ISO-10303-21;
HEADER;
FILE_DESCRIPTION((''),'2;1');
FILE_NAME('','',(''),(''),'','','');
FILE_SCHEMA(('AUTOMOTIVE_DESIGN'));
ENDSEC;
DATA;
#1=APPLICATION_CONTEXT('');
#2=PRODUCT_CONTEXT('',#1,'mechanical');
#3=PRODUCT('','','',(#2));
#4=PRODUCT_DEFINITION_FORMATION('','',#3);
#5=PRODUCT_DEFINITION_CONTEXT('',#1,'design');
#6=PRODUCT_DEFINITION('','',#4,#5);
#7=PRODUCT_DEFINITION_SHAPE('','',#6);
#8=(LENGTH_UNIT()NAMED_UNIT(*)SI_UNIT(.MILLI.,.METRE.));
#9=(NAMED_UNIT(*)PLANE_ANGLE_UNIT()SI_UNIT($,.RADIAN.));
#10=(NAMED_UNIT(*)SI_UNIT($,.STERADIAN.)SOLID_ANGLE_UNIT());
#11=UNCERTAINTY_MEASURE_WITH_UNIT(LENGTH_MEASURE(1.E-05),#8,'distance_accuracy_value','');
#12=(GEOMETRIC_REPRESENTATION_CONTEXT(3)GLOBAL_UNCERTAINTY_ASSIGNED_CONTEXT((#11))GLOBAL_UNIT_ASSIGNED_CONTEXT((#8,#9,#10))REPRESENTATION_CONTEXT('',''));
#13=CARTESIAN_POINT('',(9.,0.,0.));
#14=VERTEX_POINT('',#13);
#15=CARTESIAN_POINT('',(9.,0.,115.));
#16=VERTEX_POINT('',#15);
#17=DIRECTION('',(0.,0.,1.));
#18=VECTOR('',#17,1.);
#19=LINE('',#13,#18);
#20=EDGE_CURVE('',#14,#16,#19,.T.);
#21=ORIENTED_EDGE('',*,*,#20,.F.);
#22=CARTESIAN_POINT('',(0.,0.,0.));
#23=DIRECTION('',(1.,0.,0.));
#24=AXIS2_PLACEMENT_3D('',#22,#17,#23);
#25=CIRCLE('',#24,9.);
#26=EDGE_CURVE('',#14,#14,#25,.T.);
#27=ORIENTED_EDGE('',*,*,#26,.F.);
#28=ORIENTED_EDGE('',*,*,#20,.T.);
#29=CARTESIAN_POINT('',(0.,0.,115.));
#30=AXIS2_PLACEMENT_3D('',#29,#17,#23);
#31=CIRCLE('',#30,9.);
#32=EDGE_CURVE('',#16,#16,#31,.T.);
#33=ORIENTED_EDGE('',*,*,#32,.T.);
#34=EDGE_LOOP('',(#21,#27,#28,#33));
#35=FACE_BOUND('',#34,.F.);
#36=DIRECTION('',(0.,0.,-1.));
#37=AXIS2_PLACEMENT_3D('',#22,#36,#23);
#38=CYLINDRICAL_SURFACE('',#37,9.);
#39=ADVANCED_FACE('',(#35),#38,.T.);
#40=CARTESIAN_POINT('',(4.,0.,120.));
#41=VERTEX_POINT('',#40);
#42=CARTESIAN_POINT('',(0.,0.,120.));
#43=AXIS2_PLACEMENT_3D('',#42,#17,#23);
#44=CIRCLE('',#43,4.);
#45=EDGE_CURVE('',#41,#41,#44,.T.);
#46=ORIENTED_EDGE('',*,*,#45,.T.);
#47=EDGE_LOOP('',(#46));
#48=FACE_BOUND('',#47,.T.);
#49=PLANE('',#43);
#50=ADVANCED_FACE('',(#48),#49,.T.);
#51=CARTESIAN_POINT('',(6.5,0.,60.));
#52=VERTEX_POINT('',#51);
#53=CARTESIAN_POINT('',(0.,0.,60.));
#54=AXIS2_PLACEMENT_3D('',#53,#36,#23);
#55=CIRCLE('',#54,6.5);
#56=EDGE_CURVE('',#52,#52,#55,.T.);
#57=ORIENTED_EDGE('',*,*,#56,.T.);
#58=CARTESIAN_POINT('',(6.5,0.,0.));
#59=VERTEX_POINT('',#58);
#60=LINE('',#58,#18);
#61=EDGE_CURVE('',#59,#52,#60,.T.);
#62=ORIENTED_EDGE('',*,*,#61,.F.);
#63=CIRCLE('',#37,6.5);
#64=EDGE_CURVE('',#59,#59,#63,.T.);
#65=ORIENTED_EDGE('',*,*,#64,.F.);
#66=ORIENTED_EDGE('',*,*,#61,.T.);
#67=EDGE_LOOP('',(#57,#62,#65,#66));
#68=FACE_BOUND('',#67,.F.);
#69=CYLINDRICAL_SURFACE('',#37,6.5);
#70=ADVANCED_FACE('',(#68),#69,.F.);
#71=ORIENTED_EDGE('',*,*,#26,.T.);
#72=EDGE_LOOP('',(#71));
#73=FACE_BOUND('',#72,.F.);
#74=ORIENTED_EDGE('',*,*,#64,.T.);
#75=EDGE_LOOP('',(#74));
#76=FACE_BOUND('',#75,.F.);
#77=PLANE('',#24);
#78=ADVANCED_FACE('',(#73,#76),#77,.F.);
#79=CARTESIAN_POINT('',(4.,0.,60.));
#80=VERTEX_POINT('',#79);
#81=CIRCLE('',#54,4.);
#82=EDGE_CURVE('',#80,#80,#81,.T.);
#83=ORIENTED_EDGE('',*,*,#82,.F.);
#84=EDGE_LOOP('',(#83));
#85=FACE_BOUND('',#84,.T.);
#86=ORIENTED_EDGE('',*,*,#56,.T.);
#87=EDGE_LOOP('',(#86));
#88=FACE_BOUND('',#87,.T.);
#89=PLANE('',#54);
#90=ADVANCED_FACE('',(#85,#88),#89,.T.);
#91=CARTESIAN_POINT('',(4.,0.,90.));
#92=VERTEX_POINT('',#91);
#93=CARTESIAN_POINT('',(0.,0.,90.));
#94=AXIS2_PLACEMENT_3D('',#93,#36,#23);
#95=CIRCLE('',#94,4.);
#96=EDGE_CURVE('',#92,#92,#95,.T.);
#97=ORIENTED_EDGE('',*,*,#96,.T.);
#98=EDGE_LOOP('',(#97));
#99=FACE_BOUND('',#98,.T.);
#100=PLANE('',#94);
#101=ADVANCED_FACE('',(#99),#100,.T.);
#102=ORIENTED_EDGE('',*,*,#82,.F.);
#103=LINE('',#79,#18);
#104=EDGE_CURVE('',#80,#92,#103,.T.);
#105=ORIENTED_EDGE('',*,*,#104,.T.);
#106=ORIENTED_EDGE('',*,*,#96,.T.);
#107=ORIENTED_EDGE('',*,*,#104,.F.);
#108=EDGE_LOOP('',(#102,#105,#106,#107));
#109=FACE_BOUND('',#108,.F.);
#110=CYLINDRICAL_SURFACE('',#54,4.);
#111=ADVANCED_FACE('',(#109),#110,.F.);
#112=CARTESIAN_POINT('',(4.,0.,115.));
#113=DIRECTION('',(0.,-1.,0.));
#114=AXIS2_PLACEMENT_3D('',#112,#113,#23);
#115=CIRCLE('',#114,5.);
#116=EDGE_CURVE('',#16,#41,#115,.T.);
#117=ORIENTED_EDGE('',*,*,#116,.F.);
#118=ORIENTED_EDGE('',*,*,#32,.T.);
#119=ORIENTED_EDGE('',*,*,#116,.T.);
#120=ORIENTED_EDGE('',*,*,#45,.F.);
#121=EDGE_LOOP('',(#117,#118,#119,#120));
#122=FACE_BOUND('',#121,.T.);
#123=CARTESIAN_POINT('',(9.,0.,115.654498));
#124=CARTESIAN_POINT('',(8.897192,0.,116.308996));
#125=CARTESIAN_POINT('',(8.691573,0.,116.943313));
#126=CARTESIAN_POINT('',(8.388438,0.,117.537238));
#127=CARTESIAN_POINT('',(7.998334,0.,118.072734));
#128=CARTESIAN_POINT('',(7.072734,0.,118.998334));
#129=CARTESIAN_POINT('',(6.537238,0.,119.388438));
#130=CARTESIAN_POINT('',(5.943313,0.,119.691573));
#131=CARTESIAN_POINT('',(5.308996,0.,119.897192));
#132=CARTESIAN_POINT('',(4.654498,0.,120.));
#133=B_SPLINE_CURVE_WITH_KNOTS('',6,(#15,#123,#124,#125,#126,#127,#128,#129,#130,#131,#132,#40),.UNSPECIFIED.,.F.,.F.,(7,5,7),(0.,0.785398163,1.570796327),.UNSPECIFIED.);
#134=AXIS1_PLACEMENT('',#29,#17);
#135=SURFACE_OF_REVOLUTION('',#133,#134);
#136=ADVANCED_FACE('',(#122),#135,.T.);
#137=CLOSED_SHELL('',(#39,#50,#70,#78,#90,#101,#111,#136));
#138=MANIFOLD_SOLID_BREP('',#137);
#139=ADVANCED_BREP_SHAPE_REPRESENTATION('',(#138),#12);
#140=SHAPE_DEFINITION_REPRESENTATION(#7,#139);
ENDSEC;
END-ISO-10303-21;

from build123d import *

# Parameters (mm, degrees)
F0_R     = 9
F1_DEPTH = 120
F2_R     = 6.5
F3_DEPTH = 60
F4_R     = 4
F5_DEPTH = 30
F6_R     = 5


with BuildPart() as f1:
    # F0 (on Top) → F1 (new body)
    with BuildSketch(Plane.XY):
        Circle(F0_R)
    extrude(amount=F1_DEPTH)

    # F2 (on face) → F3 (cut)
    with BuildSketch(Plane(origin=(0, 0, 0), x_dir=(1, 0, 0), z_dir=(0, 0, -1))):
        Circle(F2_R)
    extrude(amount=-F3_DEPTH, mode=Mode.SUBTRACT)

    # F4 (on face) → F5 (cut)
    with BuildSketch(Plane(origin=(0, 0, 60), x_dir=(1, 0, 0), z_dir=(0, 0, -1))):
        Circle(F4_R)
    extrude(amount=-F5_DEPTH, mode=Mode.SUBTRACT)

    # F6
    f6_edges = [f1.edges().sort_by_distance(p)[0] for p in [
        (-9, 0, 120),
    ]]
    fillet(f6_edges, radius=F6_R)


solid = f1.part
